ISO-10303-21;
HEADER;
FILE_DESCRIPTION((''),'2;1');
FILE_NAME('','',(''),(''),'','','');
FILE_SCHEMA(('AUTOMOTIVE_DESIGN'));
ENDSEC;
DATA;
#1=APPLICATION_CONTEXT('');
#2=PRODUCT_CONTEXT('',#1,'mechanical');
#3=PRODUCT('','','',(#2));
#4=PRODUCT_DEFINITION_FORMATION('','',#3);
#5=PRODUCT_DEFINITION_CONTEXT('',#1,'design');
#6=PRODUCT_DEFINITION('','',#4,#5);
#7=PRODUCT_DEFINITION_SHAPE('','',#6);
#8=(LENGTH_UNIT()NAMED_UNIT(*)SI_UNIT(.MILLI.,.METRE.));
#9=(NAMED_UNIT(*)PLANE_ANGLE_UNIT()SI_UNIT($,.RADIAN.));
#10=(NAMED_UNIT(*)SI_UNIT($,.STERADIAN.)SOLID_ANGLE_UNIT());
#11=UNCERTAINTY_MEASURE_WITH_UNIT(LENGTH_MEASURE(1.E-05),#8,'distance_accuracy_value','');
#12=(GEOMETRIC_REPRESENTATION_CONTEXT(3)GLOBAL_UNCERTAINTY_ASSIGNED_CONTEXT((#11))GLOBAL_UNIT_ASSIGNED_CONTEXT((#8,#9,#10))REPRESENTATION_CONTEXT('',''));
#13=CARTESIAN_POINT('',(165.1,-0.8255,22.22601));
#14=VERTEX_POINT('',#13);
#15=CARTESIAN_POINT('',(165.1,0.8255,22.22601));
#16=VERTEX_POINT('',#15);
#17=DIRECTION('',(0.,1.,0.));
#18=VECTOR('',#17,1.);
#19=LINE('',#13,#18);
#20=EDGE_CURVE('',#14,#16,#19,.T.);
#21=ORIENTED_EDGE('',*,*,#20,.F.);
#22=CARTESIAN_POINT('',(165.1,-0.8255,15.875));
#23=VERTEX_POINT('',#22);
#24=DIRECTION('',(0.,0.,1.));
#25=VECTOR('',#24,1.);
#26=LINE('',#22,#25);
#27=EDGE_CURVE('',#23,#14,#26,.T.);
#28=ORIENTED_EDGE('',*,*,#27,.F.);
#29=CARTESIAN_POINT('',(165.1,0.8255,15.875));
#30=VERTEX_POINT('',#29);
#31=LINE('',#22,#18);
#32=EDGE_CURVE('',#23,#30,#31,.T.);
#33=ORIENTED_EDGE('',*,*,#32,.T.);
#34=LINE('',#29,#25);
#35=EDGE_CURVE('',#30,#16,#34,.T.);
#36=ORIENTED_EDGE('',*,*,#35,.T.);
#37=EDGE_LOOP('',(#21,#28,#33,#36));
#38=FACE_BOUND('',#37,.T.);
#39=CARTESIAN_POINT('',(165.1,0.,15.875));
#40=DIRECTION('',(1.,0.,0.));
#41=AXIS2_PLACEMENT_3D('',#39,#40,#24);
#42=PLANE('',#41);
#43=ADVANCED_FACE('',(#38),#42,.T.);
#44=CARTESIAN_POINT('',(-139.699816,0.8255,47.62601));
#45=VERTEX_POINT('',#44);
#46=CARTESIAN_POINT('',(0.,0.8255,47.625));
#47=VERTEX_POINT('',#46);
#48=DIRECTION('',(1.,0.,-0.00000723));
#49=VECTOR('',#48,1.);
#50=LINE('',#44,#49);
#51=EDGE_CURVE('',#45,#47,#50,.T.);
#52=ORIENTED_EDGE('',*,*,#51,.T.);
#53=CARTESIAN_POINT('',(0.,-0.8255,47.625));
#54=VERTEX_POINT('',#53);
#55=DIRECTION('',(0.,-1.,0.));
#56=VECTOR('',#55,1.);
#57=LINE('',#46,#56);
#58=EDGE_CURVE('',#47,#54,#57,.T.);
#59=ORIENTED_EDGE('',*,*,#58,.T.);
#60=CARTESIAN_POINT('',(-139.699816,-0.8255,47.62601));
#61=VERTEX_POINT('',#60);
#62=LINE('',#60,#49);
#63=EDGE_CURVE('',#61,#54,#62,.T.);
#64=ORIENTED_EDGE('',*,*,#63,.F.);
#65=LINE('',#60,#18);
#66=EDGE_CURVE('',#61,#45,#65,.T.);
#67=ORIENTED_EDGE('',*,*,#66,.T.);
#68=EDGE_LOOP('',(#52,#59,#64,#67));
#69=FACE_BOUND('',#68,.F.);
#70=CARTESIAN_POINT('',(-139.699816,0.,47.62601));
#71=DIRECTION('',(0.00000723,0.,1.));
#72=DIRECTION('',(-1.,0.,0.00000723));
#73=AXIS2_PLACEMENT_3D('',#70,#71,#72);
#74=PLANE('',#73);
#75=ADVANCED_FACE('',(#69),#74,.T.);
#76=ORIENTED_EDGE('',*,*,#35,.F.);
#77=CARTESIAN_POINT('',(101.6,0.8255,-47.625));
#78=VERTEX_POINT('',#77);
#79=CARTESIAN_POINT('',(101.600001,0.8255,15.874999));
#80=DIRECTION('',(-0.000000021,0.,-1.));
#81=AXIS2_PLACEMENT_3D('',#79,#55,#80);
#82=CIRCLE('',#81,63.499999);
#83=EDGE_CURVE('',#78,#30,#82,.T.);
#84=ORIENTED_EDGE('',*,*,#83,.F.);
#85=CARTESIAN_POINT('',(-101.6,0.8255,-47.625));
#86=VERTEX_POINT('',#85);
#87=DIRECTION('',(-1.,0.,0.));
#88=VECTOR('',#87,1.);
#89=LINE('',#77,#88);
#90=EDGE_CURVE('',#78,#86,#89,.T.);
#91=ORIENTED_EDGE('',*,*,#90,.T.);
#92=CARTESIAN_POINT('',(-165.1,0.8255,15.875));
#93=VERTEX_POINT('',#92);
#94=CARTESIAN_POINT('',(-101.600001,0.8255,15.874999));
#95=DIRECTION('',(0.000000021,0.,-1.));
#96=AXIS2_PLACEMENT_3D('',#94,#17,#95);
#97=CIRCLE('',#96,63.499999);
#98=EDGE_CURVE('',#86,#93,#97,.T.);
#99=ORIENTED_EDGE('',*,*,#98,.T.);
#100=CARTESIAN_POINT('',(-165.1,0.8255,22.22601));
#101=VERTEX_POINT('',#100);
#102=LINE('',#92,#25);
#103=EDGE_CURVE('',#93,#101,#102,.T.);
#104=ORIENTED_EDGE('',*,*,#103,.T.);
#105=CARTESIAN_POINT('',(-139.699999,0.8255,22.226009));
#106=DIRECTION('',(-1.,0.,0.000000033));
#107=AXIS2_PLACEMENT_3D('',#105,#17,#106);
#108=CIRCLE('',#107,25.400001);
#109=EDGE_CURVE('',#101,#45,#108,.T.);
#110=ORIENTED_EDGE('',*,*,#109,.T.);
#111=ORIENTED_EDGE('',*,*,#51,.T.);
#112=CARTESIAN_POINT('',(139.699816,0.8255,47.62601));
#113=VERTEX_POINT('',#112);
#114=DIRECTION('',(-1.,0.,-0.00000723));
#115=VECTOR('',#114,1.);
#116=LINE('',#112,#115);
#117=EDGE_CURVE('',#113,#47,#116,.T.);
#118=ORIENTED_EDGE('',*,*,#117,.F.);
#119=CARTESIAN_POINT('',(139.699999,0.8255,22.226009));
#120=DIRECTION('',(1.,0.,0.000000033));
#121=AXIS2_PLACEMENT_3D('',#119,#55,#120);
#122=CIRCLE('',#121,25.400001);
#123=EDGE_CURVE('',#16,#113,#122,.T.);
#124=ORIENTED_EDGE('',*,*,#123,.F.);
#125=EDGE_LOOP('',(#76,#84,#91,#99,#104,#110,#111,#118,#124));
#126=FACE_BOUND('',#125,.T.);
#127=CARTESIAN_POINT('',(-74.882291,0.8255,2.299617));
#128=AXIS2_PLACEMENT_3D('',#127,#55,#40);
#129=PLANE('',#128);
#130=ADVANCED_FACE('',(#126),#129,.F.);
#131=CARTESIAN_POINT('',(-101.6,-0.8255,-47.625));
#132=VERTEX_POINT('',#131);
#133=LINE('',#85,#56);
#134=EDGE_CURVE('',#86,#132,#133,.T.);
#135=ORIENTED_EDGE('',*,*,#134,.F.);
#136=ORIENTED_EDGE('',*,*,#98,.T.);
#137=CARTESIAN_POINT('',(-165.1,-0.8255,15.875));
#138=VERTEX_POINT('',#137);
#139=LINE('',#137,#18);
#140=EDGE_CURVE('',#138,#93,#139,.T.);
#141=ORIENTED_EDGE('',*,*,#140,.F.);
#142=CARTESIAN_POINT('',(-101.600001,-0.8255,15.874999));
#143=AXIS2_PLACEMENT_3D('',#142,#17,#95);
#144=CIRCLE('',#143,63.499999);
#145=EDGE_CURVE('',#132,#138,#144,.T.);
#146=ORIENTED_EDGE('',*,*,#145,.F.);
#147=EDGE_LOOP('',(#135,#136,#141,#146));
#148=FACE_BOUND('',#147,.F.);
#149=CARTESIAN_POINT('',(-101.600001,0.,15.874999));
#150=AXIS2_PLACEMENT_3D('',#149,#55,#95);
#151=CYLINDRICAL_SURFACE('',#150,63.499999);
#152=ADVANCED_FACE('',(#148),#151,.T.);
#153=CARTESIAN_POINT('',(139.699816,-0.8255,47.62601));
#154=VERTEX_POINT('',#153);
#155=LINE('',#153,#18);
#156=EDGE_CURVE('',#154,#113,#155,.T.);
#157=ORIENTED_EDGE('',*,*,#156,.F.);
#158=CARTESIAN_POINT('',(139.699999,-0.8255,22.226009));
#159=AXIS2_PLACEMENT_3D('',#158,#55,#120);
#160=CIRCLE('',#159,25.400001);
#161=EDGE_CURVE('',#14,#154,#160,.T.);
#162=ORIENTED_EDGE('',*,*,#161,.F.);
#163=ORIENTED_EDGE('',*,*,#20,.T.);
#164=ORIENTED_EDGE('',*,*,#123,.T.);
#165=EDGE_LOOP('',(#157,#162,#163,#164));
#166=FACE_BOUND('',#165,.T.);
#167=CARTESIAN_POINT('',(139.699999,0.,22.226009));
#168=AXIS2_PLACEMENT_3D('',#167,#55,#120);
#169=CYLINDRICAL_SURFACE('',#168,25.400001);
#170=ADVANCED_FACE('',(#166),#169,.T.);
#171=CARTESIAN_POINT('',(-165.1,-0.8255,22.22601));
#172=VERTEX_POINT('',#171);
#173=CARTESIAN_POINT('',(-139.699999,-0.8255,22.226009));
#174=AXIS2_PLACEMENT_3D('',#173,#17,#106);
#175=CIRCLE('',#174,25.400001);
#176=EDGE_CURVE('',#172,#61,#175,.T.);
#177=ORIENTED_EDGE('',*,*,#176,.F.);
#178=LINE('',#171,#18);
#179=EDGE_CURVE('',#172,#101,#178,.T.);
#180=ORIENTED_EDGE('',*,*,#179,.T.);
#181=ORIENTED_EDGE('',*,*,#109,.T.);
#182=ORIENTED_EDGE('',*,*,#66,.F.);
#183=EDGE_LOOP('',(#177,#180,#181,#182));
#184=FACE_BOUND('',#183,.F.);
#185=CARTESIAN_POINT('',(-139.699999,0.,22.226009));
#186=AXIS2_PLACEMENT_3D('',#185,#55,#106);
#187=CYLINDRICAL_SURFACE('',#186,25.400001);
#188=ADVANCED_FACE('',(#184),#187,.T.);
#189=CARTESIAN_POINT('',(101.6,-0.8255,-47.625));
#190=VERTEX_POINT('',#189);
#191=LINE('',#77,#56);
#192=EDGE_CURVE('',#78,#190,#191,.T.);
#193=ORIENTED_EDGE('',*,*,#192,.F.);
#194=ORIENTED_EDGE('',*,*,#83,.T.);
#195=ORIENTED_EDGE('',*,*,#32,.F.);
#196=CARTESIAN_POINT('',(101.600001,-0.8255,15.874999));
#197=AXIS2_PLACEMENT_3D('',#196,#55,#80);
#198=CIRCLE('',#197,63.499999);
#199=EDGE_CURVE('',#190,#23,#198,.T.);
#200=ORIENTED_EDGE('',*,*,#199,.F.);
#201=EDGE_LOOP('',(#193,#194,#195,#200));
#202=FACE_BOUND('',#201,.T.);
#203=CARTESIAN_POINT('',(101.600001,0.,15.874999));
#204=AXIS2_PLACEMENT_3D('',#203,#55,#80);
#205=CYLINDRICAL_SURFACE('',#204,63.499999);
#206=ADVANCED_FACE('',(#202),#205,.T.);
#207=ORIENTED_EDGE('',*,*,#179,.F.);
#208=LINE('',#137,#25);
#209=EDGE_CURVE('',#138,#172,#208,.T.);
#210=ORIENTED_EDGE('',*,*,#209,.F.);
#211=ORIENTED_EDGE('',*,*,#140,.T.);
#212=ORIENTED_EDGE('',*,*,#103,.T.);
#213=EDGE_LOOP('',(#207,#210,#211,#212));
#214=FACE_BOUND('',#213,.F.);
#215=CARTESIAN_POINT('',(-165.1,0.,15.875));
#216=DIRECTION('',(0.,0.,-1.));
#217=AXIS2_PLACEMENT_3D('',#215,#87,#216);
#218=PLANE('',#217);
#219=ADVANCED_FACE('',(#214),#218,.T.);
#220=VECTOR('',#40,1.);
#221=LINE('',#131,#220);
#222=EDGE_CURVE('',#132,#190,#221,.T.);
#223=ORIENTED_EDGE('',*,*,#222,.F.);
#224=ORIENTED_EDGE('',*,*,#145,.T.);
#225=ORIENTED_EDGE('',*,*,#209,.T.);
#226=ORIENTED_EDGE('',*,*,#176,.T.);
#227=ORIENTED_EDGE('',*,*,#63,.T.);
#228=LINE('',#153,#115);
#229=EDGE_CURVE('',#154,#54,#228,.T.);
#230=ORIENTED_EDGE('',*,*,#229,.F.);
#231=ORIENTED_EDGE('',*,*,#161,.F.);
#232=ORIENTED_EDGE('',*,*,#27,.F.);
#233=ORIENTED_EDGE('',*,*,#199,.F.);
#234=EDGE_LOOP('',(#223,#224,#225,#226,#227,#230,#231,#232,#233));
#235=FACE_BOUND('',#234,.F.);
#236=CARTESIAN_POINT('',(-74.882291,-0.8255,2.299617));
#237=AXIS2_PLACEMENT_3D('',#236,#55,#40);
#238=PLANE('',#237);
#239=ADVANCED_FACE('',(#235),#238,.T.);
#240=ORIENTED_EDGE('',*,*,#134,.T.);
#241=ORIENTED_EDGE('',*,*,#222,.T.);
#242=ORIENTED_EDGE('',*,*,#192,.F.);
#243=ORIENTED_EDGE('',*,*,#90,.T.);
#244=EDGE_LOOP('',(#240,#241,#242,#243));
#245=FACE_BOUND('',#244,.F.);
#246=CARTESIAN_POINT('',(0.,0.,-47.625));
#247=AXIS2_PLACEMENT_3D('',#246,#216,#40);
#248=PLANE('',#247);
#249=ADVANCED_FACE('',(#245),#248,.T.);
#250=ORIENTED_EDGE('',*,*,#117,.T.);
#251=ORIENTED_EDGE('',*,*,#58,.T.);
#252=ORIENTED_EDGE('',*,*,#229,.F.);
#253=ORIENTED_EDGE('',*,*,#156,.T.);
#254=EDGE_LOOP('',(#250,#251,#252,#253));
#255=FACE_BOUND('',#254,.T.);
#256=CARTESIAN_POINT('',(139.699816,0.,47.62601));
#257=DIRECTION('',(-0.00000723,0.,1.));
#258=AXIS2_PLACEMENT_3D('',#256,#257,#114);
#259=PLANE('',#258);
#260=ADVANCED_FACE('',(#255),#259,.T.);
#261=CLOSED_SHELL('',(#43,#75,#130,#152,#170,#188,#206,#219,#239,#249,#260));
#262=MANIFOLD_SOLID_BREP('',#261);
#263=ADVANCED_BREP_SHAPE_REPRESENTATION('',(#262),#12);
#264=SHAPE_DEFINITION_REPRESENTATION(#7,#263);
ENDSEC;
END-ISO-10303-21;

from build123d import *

# Parameters (mm, degrees)
F1_DEPTH = 0.8255


with BuildPart() as f1:
    # F0 (on Front) → F1 (new body, symmetric)
    with BuildSketch(Plane.XZ):
        with BuildLine():
            Line((139.699816, 47.62601), (0, 47.625))
            Line((0, 47.625), (0, -47.625))
            Line((0, -47.625), (101.6, -47.625))
            ThreePointArc((101.6, -47.625), (146.501281, -29.026281), (165.1, 15.875))
            Line((165.1, 15.875), (165.1, 22.22601))
            ThreePointArc((165.1, 22.22601), (157.660447, 40.186587), (139.699816, 47.62601))
        make_face()
    extrude(amount=F1_DEPTH, both=True)

    # F2: F1 across plane


with BuildPart() as f1_1:
    add(f1.part)
    add(f1.part.mirror(Plane.YZ))


solid = f1_1.part
